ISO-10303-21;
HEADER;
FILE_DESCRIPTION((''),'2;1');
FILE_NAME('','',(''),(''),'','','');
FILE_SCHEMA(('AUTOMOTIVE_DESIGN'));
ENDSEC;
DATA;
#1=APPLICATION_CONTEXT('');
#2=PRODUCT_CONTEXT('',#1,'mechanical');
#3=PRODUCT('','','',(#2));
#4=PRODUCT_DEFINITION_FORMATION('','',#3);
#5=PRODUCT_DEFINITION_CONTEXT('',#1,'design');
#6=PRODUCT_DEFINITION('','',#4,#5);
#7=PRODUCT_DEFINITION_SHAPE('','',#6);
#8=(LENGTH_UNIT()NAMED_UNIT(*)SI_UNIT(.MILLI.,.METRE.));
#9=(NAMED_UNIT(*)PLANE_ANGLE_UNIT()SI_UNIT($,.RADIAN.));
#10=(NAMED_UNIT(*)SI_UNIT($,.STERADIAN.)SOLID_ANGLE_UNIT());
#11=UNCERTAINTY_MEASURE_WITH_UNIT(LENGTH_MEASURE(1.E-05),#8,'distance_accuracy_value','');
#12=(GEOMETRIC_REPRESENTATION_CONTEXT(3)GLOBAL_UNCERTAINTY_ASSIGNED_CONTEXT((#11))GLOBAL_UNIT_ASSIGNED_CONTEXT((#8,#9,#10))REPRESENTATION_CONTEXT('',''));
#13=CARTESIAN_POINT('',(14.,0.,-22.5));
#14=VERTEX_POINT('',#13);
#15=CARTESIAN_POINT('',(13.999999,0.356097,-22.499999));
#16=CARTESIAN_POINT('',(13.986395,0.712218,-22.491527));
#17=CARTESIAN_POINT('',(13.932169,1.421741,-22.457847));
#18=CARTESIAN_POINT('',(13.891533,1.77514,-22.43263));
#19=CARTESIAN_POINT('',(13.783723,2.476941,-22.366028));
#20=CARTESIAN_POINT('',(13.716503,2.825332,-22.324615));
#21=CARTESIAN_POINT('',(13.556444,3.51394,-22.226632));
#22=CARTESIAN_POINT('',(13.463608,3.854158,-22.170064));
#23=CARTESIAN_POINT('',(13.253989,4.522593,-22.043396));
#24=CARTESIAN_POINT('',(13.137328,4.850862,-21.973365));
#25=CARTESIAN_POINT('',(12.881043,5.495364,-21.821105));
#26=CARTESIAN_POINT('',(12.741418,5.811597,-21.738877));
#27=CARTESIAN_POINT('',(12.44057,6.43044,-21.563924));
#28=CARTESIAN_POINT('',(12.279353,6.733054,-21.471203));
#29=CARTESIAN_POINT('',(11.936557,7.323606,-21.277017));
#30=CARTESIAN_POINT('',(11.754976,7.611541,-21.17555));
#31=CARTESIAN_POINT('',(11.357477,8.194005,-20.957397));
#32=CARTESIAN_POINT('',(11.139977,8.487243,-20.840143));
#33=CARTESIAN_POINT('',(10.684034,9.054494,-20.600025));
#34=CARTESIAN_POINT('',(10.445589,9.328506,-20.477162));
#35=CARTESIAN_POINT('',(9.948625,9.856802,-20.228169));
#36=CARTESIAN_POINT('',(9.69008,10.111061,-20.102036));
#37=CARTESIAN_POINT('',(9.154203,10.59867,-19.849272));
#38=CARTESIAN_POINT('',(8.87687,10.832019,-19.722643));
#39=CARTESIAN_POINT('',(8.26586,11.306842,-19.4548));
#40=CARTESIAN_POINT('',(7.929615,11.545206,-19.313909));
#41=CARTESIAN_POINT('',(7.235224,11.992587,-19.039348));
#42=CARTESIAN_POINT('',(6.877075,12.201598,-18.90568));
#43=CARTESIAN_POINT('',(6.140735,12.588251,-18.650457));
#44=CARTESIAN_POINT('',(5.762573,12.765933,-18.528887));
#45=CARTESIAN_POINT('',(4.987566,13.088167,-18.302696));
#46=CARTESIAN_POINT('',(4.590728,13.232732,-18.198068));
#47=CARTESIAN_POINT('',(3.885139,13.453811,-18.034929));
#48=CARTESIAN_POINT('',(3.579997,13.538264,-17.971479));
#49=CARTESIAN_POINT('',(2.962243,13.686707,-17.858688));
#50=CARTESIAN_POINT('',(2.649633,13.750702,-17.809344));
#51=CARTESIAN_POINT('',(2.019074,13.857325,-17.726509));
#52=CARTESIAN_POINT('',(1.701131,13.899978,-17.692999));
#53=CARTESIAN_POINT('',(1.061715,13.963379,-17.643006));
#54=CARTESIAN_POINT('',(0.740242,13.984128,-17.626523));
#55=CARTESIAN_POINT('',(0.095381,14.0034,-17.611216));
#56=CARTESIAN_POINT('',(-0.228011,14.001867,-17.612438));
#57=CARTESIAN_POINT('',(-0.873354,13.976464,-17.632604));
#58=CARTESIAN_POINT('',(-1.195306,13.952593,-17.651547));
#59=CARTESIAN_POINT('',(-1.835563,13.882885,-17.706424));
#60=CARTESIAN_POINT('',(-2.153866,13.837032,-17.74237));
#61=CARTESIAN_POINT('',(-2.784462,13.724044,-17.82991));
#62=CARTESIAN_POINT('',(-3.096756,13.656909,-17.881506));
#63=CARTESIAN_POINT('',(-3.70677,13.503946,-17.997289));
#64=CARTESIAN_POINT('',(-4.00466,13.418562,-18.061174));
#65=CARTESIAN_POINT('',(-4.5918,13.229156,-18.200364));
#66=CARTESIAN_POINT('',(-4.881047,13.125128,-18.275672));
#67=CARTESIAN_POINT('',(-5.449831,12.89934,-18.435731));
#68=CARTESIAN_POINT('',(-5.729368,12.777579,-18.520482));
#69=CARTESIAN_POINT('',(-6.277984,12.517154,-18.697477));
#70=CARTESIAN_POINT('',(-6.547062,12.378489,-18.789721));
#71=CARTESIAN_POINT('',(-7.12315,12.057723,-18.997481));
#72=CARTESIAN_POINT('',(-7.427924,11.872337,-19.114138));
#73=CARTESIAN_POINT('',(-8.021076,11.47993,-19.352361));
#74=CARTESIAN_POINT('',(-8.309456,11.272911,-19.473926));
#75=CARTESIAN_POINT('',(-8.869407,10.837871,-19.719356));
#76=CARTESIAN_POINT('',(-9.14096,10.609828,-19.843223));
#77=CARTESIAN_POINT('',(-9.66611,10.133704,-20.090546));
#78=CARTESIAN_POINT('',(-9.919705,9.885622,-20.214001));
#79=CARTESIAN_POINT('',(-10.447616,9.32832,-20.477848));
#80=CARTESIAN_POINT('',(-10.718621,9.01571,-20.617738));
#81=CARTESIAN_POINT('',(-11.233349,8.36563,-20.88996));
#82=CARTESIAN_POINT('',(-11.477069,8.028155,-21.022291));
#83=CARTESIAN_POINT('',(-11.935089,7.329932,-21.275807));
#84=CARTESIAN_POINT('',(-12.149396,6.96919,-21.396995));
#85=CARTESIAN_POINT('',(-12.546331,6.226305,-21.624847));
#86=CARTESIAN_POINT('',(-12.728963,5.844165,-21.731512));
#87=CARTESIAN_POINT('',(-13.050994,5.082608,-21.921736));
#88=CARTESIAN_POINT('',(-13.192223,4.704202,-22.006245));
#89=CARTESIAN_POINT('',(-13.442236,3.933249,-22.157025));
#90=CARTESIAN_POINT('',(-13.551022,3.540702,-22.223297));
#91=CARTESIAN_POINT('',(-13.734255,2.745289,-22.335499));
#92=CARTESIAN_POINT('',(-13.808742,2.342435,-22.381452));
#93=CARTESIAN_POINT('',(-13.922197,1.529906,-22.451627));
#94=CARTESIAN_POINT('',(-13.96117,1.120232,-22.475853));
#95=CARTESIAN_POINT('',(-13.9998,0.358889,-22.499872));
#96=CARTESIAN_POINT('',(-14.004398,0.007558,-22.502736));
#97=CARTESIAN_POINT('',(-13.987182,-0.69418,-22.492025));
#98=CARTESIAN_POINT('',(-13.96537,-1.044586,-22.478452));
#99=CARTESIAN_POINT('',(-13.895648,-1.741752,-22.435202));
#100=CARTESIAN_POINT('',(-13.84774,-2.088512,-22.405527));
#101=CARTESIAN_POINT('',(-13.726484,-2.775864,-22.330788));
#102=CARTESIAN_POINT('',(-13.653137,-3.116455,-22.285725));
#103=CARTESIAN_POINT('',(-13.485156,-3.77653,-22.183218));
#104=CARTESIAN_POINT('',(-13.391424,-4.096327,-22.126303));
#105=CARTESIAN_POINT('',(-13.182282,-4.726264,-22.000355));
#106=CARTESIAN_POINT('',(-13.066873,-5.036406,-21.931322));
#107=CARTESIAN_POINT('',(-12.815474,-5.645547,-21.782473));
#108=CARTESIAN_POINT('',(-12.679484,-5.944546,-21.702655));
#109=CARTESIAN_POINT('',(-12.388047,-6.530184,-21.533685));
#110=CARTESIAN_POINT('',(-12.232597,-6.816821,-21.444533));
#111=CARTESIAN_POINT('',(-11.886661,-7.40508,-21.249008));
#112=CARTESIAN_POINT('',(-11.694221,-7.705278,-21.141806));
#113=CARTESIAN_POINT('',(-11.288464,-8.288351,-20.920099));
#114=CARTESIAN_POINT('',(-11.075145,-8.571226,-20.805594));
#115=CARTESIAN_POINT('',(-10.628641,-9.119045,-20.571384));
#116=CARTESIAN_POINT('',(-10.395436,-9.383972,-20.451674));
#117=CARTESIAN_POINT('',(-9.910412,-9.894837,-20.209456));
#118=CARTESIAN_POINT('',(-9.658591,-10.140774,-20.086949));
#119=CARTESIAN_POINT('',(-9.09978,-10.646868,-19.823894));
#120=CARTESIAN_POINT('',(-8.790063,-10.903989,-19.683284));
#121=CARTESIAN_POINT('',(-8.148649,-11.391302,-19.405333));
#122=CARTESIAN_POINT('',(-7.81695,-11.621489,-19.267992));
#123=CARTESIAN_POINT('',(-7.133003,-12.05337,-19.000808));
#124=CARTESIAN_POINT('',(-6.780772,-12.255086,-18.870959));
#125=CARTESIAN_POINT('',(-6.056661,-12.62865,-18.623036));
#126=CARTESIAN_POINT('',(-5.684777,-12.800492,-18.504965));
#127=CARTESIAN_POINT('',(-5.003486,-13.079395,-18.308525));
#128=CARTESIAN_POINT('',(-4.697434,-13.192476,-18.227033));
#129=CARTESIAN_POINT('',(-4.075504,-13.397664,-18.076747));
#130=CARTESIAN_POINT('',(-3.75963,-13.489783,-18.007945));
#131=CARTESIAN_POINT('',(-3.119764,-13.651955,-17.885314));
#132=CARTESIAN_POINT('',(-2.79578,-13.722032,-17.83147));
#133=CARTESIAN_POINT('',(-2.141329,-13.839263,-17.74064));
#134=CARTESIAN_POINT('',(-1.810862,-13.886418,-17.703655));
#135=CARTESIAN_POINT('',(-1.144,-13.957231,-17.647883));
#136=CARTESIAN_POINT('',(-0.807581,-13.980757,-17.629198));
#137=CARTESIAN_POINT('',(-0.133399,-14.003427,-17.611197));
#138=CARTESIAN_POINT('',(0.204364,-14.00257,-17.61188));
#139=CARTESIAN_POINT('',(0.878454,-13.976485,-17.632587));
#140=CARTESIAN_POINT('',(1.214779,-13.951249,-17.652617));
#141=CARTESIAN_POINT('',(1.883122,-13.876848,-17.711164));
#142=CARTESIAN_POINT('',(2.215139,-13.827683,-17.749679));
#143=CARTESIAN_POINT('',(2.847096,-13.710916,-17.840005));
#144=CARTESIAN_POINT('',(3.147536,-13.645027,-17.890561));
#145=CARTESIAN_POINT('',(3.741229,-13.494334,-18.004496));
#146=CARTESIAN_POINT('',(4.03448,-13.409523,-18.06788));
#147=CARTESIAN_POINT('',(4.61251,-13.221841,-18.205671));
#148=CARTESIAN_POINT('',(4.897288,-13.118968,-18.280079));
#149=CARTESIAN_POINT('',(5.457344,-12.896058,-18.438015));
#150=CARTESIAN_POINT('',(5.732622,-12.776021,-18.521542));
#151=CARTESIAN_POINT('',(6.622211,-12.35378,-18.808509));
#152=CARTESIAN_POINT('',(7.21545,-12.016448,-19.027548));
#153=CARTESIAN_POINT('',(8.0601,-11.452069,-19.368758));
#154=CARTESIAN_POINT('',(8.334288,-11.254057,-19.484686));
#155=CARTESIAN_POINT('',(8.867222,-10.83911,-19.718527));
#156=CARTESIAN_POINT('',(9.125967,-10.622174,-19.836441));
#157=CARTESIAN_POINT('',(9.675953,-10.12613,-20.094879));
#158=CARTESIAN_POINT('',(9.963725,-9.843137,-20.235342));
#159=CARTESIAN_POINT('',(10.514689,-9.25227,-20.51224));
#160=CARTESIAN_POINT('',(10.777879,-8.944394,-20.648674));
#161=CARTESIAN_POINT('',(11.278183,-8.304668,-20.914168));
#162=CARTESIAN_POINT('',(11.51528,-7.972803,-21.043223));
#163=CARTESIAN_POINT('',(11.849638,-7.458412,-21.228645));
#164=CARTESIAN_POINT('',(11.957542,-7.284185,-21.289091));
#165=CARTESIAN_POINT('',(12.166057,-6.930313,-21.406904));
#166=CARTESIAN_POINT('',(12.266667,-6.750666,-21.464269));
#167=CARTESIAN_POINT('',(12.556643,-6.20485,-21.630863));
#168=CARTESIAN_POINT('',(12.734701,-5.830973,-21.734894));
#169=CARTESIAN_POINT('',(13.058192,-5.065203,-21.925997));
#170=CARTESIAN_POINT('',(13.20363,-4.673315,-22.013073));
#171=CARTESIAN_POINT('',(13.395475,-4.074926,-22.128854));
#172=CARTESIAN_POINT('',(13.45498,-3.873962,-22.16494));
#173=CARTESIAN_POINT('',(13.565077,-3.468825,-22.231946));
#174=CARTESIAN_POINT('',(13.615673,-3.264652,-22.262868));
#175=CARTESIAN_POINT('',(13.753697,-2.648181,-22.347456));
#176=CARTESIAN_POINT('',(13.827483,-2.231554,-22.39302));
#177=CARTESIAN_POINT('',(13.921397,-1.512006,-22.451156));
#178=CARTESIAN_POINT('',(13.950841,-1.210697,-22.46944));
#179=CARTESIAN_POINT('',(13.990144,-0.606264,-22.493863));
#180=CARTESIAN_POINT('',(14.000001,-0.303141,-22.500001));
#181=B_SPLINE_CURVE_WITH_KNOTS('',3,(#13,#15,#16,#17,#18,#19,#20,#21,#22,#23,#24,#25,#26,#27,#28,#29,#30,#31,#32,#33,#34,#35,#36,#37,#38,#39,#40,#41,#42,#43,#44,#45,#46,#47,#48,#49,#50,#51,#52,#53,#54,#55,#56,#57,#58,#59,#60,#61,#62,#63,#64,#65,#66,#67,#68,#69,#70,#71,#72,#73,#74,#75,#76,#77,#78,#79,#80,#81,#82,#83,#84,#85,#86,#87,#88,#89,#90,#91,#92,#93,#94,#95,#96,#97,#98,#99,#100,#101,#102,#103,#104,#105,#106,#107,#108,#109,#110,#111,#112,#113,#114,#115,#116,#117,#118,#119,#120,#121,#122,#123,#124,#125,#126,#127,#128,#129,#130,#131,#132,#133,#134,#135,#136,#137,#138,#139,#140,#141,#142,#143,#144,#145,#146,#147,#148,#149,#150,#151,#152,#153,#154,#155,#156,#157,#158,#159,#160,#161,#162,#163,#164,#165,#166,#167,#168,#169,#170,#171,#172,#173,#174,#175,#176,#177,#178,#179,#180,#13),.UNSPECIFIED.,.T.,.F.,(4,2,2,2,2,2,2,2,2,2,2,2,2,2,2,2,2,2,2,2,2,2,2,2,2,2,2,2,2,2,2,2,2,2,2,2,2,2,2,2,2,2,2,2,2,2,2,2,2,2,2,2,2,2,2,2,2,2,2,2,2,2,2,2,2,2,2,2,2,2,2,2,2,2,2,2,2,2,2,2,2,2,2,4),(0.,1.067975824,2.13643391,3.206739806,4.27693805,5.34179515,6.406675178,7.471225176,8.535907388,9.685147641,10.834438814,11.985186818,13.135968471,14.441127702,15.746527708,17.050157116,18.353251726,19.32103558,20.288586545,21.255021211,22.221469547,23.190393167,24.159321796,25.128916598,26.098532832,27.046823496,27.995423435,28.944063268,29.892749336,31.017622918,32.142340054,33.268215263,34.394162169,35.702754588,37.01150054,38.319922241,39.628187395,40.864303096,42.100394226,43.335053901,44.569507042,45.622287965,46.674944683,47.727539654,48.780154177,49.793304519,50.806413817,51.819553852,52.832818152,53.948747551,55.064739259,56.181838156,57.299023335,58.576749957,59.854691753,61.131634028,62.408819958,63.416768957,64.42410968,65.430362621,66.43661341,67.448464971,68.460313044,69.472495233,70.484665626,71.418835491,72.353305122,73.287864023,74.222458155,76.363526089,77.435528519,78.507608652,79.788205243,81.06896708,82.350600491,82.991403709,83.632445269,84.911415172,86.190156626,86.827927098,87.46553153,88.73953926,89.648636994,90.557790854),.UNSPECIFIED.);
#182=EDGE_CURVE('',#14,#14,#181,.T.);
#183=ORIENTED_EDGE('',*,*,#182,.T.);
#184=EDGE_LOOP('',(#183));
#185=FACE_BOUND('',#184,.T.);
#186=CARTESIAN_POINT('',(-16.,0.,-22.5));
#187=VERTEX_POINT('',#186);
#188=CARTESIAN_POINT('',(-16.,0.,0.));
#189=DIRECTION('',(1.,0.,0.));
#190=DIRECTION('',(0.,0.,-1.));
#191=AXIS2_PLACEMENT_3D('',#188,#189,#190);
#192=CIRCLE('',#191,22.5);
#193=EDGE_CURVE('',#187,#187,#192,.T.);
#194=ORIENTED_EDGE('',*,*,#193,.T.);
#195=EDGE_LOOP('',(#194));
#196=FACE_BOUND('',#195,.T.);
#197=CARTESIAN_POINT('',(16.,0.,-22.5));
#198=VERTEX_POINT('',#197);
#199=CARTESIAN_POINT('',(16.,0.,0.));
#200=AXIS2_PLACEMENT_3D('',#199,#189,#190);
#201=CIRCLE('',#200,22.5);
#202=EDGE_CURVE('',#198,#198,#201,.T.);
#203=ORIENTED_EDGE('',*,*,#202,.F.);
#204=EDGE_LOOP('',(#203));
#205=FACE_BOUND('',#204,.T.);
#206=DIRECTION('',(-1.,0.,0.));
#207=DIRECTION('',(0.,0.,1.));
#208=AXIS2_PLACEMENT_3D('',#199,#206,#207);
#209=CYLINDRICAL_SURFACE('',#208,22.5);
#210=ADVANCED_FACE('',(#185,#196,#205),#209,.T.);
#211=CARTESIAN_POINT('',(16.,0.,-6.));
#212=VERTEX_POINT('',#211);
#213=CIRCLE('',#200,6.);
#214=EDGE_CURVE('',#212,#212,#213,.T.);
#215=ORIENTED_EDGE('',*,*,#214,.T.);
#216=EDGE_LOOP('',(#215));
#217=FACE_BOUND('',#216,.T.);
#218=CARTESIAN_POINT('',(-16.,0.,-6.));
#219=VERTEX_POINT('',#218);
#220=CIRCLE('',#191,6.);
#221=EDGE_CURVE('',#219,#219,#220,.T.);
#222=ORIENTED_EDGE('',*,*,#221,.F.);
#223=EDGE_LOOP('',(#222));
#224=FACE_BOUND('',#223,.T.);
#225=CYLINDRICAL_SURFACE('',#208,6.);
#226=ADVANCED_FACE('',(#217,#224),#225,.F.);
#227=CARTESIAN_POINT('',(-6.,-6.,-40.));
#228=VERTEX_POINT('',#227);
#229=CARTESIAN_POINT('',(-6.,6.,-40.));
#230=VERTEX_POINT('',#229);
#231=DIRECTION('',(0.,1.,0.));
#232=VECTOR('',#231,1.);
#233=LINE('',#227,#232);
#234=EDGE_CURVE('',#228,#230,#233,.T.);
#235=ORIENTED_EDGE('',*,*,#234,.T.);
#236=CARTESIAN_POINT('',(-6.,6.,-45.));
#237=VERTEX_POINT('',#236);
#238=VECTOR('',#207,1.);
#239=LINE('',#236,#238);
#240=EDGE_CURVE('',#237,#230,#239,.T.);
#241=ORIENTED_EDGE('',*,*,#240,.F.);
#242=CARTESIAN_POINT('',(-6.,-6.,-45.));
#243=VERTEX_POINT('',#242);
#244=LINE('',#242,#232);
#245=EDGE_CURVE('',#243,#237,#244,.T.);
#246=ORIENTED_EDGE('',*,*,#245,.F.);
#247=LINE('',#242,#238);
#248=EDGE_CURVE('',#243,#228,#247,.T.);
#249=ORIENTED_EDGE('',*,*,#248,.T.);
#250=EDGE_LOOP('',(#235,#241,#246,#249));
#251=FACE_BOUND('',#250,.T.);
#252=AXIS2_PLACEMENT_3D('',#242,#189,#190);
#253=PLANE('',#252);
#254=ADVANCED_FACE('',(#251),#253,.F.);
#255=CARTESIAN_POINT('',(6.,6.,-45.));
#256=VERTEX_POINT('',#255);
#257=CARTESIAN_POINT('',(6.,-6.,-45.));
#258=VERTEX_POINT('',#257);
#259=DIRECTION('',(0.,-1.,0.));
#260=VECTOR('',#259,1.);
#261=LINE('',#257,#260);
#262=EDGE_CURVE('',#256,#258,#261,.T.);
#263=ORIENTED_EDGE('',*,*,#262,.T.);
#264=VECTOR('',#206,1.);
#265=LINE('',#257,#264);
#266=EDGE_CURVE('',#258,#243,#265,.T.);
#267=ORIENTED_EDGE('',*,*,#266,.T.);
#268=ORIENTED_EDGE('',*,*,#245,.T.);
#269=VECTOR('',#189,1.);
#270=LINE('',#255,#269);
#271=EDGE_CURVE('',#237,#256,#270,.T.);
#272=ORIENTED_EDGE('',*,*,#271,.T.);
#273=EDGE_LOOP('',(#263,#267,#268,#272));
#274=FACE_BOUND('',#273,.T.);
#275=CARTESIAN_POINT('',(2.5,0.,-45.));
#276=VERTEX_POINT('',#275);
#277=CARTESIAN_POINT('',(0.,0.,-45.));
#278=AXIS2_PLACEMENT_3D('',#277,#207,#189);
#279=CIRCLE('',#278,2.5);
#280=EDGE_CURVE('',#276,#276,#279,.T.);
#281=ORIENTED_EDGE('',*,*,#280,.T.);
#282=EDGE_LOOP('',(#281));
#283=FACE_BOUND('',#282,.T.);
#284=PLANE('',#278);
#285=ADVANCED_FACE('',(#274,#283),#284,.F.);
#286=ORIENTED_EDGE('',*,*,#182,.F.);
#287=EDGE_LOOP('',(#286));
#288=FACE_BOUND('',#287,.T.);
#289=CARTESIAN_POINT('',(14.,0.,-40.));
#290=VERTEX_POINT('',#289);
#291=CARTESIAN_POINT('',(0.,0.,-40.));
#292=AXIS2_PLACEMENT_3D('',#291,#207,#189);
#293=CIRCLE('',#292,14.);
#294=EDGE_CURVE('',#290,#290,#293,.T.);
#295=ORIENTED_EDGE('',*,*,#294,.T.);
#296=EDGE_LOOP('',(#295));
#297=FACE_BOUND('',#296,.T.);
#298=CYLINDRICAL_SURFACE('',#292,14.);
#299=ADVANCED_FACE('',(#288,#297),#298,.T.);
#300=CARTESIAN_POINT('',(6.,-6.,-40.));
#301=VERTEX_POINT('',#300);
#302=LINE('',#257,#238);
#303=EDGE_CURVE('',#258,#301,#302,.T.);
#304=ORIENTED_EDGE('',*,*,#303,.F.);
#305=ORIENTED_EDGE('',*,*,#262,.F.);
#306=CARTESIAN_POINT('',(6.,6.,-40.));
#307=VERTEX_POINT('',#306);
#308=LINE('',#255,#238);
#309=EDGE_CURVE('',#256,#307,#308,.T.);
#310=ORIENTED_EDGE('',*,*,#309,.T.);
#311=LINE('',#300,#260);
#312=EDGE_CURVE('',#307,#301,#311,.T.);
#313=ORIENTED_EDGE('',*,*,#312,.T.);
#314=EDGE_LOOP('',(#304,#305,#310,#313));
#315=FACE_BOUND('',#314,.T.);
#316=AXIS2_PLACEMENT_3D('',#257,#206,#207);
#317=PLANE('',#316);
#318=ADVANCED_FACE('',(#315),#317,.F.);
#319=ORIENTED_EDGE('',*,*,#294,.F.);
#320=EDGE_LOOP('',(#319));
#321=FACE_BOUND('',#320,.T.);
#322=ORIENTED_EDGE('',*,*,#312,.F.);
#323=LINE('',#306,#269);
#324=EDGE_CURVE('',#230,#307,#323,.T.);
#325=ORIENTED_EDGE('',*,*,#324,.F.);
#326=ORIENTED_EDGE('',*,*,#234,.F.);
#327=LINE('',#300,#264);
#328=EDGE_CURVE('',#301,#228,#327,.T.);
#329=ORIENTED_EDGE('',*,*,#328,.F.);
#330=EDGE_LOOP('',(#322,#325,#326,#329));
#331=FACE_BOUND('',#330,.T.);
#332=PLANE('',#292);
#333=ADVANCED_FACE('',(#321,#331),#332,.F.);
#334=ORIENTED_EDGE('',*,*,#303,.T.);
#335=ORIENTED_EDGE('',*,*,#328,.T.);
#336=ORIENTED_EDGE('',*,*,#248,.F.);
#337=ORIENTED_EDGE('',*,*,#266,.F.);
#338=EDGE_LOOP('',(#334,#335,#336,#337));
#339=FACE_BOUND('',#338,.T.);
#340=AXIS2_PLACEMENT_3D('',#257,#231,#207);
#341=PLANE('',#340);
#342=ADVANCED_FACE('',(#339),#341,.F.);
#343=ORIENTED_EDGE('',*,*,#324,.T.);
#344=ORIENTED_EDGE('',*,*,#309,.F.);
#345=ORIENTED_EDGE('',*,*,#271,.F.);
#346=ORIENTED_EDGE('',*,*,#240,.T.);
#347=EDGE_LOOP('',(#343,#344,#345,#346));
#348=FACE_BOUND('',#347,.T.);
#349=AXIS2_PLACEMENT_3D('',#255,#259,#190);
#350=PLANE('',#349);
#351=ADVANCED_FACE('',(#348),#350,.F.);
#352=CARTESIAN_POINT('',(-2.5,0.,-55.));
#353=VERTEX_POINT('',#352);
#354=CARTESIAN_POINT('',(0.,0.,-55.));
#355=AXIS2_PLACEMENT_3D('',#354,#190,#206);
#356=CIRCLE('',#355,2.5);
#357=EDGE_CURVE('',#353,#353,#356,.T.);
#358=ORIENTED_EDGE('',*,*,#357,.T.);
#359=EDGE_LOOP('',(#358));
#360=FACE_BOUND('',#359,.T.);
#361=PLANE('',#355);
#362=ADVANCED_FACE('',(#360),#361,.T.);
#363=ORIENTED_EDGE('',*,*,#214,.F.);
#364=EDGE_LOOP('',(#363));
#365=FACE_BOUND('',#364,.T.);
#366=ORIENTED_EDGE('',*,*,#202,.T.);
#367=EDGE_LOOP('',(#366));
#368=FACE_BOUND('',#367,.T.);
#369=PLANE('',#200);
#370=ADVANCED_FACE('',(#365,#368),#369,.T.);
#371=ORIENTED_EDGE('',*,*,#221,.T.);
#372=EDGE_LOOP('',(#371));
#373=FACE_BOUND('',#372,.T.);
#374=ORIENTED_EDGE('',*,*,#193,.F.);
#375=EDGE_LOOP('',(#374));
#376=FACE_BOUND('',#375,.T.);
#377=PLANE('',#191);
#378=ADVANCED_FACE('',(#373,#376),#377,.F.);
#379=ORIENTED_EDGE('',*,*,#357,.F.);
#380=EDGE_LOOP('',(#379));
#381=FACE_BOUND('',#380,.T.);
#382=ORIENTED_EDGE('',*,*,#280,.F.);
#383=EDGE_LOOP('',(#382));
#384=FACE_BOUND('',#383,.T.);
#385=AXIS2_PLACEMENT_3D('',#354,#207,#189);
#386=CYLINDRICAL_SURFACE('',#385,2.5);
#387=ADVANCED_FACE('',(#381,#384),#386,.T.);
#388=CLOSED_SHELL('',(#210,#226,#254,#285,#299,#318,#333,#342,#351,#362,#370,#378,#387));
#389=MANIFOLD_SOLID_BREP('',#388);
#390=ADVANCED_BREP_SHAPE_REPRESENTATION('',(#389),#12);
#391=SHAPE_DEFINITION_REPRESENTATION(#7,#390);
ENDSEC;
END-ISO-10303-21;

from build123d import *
from build123d.topology import SkipClean

# Parameters (mm, degrees)
SKETCH2_R           = 6
BOSS_EXTRUDE1_DEPTH = 16
SKETCH3_R           = 14
BOSS_EXTRUDE2_DEPTH = 40
SKETCH4_R           = 6
CUT_EXTRUDE1_DEPTH  = 56.948637328
SKETCH5_W           = 28
SKETCH5_H           = 30
BOSS_EXTRUDE3_DEPTH = 2.5
SKETCH8_R           = 15.28865651
SKETCH8_R_2         = 14
CUT_EXTRUDE2_DEPTH  = 35
SKETCH9_R           = 3
CUT_EXTRUDE3_DEPTH  = 35
CUT_EXTRUDE4_DEPTH  = 81.18883969
SKETCH11_W          = 30
SKETCH11_H          = 5
CUT_EXTRUDE5_DEPTH  = 15
SKETCH14_R          = 2.5
BOSS_EXTRUDE4_DEPTH = 15
SKETCH17_W          = 12
SKETCH17_H          = 12
BOSS_EXTRUDE6_DEPTH = 5


with BuildPart() as part:
    # Sketch2 → Boss-Extrude1 (new, symmetric)
    with BuildSketch(Plane(origin=(0, 0, 0), x_dir=(0, 0, -1), z_dir=(1, 0, 0))):
        with BuildLine():
            Line((-25, -17.5), (-4.873971328, -21.965755245))
            ThreePointArc((-4.873971328, -21.965755245), (22.5, 0), (-4.873971328, 21.965755245))
            Line((-4.873971328, 21.965755245), (-25, 17.5))
            Line((-25, 17.5), (-25, -17.5))
        make_face()
        Circle(SKETCH2_R, mode=Mode.SUBTRACT)
    extrude(amount=BOSS_EXTRUDE1_DEPTH, both=True)

    # Sketch3 → Boss-Extrude2 (add)
    with BuildSketch(Plane.XY):
        Circle(SKETCH3_R)
    extrude(amount=-BOSS_EXTRUDE2_DEPTH)

    # Sketch4 → Cut-Extrude1 (cut, through all)
    with BuildSketch(Plane(origin=(16, 0, 0), x_dir=(0, 0, -1), z_dir=(1, 0, 0))):
        Circle(SKETCH4_R)
    extrude(amount=-CUT_EXTRUDE1_DEPTH, mode=Mode.SUBTRACT)

    # Sketch5 → Boss-Extrude3 (add, symmetric)
    with BuildSketch(Plane(origin=(0, 0, 0), x_dir=(1, 0, 0), z_dir=(0, 1, 0))):
        with Locations((0, 55)):
            Rectangle(SKETCH5_W, SKETCH5_H)
    extrude(amount=BOSS_EXTRUDE3_DEPTH, both=True)

    # Sketch8 → Cut-Extrude2 (cut)
    with BuildSketch(Plane(origin=(0, 0, -70), x_dir=(-1, 0, 0), z_dir=(0, 0, -1))):
        Circle(SKETCH8_R)
        with Locations(Location((0, 0, 0), (0, 0, 180))):
            Circle(SKETCH8_R_2, mode=Mode.SUBTRACT)
    extrude(amount=-CUT_EXTRUDE2_DEPTH, mode=Mode.SUBTRACT)

    # Sketch9 → Cut-Extrude3 (cut)
    with BuildSketch(Plane(origin=(0, 2.5, 0), x_dir=(1, 0, 0), z_dir=(0, 1, 0))):
        with Locations(Location((-9, 62, 0), (0, 0, 270))):
            Circle(SKETCH9_R)
        with Locations(Location((9, 62, 0), (0, 0, 270))):
            Circle(SKETCH9_R)
    extrude(amount=-CUT_EXTRUDE3_DEPTH, mode=Mode.SUBTRACT)

    # Sketch10 → Cut-Extrude4 (cut, through all)
    with SkipClean():  # the faces are left unmerged after this step: merging them gives an invalid solid
        with BuildSketch(Plane(origin=(16, 0, 0), x_dir=(0, 0, -1), z_dir=(1, 0, 0))):
            with BuildLine():
                Line((-25, -17.5), (-4.873971328, -21.965755245))
                ThreePointArc((-4.873971328, -21.965755245), (-22.5, 0), (-4.873971328, 21.965755245))
                Line((-4.873971328, 21.965755245), (-25, 17.5))
                Line((-25, 17.5), (-25, -17.5))
            make_face()
        extrude(amount=-CUT_EXTRUDE4_DEPTH, mode=Mode.SUBTRACT)

    # Sketch11 → Cut-Extrude5 (cut, symmetric)
    with SkipClean():  # the faces are left unmerged after this step: merging them gives an invalid solid
        with BuildSketch(Plane(origin=(0, 0, 0), x_dir=(0, 0, -1), z_dir=(1, 0, 0))):
            with Locations((55, 0)):
                Rectangle(SKETCH11_W, SKETCH11_H)
        extrude(amount=CUT_EXTRUDE5_DEPTH, both=True, mode=Mode.SUBTRACT)

    # Sketch14 → Boss-Extrude4 (add)
    with SkipClean():  # the faces are left unmerged after this step: merging them gives an invalid solid
        with BuildSketch(Plane(origin=(0, 0, -40), x_dir=(-1, 0, 0), z_dir=(0, 0, -1))):
            Circle(SKETCH14_R)
        extrude(amount=BOSS_EXTRUDE4_DEPTH)

    # Sketch17 → Boss-Extrude6 (add)
    with SkipClean():  # the faces are left unmerged after this step: merging them gives an invalid solid
        with BuildSketch(Plane(origin=(0, 0, -40), x_dir=(-1, 0, 0), z_dir=(0, 0, -1))):
            Rectangle(SKETCH17_W, SKETCH17_H)
        extrude(amount=BOSS_EXTRUDE6_DEPTH)


solid = part.part
